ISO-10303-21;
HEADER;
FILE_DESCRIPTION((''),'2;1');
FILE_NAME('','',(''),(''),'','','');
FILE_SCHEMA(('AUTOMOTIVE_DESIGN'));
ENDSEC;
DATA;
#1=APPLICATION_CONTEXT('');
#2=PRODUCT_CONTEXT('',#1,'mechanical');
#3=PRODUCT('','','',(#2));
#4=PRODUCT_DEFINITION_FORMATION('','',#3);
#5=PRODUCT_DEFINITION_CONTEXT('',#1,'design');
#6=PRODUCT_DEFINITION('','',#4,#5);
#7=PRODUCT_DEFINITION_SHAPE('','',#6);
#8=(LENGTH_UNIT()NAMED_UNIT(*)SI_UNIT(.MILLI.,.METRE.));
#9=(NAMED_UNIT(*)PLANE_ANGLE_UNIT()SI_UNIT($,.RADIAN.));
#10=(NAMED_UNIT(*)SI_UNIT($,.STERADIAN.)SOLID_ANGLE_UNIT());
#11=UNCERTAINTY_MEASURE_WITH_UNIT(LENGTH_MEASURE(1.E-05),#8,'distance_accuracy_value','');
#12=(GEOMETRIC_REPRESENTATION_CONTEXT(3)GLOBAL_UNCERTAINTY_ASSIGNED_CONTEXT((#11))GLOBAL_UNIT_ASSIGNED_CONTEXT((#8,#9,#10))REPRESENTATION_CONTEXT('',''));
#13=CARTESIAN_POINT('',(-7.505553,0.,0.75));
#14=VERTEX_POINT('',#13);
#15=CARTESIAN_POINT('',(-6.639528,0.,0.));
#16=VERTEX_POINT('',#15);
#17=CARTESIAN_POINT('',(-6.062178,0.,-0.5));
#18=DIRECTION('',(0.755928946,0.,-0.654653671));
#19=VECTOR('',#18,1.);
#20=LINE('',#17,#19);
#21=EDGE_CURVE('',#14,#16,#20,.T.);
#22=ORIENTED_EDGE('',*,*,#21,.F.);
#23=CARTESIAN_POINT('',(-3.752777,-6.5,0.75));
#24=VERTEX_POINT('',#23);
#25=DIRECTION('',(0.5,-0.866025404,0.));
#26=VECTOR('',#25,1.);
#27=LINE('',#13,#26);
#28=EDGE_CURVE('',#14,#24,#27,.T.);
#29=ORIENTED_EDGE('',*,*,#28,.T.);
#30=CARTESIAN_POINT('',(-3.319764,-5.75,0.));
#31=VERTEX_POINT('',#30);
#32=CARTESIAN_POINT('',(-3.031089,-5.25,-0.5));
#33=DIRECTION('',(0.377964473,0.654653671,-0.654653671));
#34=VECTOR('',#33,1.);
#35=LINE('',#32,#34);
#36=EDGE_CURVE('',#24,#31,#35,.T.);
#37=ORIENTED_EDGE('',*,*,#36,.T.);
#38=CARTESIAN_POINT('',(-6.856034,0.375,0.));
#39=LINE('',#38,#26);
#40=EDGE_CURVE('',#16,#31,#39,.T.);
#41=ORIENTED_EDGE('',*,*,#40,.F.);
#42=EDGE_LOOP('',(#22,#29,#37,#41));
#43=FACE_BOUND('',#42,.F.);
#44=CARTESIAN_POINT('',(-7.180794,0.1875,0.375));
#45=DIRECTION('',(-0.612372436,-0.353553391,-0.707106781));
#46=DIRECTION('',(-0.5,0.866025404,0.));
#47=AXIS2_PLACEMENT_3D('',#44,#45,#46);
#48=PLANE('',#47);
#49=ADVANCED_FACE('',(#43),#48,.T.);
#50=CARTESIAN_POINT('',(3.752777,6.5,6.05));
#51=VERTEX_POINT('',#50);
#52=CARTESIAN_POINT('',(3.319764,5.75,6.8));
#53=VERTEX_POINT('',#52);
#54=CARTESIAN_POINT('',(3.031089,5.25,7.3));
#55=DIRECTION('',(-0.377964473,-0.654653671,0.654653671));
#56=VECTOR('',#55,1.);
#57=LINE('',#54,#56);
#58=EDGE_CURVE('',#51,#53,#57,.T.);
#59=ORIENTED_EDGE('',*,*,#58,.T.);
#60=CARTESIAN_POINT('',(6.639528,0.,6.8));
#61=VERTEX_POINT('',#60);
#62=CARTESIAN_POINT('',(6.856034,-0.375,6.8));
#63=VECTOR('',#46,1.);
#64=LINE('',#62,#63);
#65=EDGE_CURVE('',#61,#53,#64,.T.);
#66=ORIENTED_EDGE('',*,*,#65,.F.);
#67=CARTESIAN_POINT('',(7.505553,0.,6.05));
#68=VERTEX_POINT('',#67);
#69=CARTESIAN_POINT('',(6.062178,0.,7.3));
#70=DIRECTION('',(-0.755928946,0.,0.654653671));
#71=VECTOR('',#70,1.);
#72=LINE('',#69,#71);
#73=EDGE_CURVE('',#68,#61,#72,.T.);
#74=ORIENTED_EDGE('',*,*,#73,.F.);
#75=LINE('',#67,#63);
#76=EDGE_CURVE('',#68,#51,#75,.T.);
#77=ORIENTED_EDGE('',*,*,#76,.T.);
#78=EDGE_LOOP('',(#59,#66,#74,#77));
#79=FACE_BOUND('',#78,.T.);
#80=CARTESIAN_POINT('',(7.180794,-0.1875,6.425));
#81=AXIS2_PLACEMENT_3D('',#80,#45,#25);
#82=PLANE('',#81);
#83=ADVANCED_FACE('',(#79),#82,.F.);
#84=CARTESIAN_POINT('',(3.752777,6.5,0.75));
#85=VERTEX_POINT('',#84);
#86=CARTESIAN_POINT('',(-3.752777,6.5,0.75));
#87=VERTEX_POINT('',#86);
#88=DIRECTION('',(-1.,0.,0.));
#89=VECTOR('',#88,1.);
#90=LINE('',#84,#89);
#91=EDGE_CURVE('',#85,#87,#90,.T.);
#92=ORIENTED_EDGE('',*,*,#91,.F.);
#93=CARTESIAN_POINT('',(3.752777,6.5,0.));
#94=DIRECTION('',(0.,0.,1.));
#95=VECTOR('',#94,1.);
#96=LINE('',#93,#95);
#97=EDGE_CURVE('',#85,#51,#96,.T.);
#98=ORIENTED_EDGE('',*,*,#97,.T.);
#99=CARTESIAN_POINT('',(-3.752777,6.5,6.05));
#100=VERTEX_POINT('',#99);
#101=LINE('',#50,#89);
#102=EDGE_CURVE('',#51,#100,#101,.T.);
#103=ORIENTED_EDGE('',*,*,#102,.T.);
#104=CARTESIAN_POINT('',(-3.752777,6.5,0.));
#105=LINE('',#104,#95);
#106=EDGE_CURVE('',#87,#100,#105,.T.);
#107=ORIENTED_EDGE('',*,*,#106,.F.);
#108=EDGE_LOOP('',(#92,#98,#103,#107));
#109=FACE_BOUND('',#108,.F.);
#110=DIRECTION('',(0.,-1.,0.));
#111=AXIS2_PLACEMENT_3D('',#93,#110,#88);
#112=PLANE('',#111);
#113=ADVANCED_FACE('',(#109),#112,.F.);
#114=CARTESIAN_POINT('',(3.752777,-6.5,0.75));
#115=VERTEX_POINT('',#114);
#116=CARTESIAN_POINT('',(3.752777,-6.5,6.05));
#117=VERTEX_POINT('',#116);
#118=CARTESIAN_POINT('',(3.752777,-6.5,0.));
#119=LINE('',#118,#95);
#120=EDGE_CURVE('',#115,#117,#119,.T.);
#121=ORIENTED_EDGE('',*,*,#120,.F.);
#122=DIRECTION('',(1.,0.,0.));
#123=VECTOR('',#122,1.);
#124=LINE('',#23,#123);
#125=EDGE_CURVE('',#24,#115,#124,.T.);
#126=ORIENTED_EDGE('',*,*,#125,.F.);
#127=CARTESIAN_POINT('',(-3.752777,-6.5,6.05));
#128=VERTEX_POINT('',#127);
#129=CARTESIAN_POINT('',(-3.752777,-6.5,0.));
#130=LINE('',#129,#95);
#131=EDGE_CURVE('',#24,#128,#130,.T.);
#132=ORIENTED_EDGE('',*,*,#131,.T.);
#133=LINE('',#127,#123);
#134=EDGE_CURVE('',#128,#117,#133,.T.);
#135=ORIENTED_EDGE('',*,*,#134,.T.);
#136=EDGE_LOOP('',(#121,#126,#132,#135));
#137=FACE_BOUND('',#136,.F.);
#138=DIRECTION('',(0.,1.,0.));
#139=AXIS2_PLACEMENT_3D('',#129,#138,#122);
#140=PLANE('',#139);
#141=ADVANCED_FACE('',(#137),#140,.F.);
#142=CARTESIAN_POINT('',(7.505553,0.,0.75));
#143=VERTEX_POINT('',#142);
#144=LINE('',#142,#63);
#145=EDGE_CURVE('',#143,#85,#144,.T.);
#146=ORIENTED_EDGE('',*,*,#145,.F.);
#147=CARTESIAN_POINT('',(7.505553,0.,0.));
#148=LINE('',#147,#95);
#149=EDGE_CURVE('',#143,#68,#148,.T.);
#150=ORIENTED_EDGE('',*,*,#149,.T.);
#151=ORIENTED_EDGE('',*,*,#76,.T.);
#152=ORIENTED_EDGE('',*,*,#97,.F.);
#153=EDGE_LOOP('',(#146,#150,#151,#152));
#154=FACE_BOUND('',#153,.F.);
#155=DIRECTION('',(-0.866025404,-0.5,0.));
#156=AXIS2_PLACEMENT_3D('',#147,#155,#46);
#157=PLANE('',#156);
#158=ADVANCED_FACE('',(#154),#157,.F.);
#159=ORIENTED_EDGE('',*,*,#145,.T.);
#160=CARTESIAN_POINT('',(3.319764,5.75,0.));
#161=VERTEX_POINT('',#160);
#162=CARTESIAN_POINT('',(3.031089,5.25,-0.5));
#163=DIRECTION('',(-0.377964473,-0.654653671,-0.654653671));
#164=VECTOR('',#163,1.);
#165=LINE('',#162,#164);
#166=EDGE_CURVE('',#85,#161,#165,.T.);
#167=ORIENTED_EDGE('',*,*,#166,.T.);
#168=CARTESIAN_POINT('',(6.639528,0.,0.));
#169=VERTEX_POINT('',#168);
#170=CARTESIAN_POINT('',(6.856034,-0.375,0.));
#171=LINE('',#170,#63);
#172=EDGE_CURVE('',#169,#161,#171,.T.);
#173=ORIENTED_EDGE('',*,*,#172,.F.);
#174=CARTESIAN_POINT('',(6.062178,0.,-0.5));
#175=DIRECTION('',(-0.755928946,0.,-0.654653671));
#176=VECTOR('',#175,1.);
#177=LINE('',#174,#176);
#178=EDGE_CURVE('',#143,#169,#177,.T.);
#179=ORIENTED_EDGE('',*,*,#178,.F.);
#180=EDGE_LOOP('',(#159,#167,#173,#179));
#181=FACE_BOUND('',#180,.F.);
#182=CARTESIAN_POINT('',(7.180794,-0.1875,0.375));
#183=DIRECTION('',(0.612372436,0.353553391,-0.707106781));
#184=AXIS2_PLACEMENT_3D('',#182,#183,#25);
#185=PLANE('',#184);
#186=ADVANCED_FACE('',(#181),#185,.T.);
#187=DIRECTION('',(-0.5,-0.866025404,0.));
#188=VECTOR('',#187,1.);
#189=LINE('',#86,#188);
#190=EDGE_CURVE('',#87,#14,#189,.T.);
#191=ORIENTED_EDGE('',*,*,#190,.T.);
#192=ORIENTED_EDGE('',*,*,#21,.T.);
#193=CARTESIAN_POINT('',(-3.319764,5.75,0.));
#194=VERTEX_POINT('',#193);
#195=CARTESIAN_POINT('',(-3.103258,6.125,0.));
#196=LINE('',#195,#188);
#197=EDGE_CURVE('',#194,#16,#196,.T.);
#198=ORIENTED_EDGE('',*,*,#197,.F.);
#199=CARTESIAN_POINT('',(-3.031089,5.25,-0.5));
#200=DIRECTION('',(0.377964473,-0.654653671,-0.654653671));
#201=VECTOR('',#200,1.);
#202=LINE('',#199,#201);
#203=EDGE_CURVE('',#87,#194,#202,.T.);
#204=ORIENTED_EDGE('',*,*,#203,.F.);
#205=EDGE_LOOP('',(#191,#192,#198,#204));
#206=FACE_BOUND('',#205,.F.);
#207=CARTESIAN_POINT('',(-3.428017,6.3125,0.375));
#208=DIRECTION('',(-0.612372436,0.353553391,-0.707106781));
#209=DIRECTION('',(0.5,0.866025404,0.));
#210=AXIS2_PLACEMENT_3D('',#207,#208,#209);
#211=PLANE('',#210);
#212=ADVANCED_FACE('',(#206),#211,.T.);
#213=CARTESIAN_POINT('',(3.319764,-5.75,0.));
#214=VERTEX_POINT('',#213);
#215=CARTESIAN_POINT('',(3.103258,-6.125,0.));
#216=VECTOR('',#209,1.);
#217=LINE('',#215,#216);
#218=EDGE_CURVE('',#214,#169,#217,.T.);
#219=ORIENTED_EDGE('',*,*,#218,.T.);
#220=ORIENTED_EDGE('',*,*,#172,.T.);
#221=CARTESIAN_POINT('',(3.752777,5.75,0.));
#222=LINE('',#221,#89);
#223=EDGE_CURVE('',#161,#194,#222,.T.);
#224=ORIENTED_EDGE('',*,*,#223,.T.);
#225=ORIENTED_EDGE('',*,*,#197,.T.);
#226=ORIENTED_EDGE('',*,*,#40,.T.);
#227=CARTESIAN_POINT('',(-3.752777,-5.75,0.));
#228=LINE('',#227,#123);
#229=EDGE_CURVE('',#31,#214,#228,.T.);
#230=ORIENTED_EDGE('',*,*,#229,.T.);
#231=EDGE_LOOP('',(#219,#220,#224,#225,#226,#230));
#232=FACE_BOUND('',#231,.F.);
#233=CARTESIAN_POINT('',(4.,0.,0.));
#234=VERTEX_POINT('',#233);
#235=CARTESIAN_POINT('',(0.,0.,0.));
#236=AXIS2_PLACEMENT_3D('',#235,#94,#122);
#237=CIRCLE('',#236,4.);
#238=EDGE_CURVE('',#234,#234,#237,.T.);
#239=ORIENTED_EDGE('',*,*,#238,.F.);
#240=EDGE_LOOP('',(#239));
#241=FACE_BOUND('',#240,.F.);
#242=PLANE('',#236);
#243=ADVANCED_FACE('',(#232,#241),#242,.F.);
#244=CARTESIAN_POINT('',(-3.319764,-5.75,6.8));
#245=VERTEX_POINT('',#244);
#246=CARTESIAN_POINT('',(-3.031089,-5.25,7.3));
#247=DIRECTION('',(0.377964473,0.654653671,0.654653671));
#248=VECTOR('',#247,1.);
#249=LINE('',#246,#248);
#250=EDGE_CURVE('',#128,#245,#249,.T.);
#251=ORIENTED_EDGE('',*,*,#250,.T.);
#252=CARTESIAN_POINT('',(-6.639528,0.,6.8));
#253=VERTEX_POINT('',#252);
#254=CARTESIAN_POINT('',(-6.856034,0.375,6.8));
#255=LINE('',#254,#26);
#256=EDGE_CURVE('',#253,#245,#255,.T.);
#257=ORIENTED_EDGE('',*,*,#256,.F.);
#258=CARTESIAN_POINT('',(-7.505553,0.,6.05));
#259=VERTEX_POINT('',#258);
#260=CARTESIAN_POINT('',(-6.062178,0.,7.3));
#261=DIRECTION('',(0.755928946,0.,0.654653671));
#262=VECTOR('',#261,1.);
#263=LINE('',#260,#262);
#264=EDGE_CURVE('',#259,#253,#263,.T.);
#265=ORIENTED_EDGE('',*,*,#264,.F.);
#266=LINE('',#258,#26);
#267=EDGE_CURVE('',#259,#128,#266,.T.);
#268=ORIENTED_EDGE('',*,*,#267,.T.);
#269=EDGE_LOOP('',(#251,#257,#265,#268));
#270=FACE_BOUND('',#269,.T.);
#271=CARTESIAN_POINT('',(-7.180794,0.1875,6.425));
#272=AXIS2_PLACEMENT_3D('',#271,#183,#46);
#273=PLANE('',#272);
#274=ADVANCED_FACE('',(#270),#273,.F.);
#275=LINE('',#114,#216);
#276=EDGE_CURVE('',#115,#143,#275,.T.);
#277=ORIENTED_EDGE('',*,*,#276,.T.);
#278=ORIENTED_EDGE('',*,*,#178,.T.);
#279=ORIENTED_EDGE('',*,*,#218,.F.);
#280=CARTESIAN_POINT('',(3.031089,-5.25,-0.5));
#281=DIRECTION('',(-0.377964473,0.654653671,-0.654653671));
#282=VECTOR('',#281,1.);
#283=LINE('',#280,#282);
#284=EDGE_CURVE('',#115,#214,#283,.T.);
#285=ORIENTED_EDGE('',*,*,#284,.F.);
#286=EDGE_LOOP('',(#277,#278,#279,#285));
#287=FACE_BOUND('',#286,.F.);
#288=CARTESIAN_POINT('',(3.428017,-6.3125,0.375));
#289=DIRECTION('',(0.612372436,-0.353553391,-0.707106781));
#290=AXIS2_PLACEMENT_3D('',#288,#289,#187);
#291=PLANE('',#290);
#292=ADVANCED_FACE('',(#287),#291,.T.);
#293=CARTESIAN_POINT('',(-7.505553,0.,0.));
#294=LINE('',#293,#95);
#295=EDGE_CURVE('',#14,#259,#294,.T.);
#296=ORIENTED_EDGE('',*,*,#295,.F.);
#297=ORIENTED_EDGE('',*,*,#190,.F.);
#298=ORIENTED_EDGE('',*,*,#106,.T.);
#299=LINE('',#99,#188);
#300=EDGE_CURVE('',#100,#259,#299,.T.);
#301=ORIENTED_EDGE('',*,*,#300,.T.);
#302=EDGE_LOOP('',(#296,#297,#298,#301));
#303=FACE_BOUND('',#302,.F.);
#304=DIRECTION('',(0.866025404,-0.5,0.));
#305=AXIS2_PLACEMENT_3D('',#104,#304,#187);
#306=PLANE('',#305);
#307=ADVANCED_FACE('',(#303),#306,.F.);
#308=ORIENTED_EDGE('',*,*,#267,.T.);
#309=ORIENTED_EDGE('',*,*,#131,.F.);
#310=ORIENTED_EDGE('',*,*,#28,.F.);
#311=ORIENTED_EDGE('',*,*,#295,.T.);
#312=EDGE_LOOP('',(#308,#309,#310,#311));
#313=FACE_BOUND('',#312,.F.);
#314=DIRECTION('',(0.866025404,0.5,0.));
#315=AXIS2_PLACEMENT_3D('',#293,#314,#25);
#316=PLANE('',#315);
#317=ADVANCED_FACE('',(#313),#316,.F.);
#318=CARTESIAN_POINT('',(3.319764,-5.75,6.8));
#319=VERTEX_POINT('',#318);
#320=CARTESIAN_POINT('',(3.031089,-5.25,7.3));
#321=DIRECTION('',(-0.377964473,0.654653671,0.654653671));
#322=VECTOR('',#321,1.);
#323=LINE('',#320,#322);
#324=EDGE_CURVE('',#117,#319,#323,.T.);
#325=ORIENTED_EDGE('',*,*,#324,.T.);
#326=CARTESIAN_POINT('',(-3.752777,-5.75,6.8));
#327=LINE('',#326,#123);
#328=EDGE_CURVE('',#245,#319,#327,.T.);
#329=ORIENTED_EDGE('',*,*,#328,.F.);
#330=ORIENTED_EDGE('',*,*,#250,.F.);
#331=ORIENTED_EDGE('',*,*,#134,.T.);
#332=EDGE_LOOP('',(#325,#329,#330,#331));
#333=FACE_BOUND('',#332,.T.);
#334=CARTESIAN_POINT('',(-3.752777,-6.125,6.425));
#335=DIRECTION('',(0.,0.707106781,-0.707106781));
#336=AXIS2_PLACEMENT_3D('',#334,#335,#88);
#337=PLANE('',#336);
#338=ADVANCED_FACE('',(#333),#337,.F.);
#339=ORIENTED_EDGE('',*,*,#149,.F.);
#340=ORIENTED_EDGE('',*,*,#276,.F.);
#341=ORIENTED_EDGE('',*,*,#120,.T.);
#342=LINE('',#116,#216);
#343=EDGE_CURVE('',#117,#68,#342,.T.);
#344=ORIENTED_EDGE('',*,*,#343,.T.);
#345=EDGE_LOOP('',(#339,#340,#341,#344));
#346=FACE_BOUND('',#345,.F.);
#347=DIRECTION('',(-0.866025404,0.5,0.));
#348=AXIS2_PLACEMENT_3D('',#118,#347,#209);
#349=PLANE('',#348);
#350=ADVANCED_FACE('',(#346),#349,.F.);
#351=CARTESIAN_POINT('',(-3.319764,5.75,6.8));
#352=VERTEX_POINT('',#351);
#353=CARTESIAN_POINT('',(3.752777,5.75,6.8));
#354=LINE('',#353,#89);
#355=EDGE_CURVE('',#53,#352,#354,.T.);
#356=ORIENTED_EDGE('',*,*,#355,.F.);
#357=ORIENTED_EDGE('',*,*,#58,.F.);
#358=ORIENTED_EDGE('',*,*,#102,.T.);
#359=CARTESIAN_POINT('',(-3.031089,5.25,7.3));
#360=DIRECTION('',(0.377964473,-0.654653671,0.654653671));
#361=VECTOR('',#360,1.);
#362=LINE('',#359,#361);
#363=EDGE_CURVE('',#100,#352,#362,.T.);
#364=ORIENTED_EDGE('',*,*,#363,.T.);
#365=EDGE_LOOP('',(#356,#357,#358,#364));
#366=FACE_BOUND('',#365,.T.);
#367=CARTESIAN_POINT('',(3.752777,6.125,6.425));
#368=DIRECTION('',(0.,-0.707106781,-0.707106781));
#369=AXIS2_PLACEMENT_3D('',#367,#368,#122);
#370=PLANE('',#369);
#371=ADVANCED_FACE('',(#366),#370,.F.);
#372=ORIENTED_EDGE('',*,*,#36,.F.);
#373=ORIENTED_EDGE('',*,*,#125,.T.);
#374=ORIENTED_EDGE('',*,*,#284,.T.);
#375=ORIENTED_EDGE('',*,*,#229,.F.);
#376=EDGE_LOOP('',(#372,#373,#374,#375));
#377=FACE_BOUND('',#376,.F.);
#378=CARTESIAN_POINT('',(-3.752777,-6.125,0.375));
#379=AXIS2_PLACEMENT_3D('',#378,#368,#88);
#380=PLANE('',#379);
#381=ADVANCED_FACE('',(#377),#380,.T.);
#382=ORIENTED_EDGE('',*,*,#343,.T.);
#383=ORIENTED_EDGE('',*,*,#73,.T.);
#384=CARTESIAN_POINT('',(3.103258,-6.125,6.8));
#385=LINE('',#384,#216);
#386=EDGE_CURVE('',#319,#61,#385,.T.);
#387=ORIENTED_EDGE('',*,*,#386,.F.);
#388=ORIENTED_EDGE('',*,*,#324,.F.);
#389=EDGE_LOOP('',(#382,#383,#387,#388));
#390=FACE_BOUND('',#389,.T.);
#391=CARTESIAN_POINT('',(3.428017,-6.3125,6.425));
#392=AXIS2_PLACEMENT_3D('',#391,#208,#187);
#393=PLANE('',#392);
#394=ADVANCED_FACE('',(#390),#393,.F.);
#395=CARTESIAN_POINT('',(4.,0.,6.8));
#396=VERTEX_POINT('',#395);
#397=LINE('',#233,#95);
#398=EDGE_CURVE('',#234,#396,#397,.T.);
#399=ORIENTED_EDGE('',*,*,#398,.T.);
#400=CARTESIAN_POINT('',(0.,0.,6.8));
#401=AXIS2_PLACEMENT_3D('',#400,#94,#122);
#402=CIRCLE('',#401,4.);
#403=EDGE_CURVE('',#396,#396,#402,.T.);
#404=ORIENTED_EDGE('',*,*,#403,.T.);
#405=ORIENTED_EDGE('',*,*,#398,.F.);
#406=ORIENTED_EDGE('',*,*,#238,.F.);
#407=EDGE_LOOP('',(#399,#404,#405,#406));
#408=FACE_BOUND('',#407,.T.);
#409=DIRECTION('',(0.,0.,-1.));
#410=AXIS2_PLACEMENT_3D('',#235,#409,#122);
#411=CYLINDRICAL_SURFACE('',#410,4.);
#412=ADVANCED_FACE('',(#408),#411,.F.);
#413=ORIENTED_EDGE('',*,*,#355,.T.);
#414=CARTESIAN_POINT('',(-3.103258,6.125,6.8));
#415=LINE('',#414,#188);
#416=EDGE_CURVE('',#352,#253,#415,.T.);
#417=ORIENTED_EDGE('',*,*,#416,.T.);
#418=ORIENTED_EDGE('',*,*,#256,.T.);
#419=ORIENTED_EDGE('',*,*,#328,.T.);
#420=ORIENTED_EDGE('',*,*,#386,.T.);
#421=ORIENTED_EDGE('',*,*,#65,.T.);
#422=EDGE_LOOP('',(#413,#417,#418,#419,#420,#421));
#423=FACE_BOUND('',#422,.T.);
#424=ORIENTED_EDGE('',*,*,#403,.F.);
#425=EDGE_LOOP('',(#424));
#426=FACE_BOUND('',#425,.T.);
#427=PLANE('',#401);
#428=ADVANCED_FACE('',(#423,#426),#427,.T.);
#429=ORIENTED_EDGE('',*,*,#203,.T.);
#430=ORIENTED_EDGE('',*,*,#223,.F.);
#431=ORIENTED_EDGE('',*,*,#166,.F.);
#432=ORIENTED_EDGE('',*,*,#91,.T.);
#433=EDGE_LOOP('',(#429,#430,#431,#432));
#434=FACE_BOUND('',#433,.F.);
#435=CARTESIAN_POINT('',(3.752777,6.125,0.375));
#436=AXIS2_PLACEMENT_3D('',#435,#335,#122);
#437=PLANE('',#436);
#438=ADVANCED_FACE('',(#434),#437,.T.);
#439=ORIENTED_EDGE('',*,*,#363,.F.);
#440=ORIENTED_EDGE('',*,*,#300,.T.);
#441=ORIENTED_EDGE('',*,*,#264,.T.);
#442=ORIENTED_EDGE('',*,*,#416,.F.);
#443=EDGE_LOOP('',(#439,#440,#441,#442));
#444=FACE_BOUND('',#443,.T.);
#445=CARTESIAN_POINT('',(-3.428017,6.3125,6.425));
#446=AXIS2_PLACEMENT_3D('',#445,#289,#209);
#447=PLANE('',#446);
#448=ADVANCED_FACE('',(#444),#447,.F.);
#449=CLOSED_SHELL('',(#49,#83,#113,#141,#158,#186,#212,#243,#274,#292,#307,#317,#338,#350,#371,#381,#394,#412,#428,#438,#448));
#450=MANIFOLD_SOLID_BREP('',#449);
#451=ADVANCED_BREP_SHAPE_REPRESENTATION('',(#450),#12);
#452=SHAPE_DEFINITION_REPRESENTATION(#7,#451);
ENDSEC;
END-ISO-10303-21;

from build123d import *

# Parameters (mm, degrees)
SKETCH_1_R      = 4
EXTRUDE_1_DEPTH = 6.8
CHAMFER_1_SIZE  = 0.75


with BuildPart() as part:
    # Эскиз1 → Бобышка-Вытянуть1 (new body)
    with BuildSketch(Plane.XY):
        Polygon((3.75277675, -6.5), (7.505553499, 0), (3.75277675, 6.5), (-3.75277675, 6.5), (-7.505553499, 0), (-3.75277675, -6.5), align=None)
        Circle(SKETCH_1_R, mode=Mode.SUBTRACT)
    extrude(amount=EXTRUDE_1_DEPTH)

    # Фаска1
    chamfer_1_edges = [part.edges().sort_by_distance(p)[0] for p in [
        (5.629165125, 3.25, 6.8),
        (0, 6.5, 6.8),
        (-5.629165125, 3.25, 6.8),
        (-5.629165125, -3.25, 6.8),
        (0, -6.5, 6.8),
        (-5.629165125, -3.25, 0),
        (-5.629165125, 3.25, 0),
        (0, 6.5, 0),
        (5.629165125, 3.25, 0),
        (5.629165125, -3.25, 0),
        (0, -6.5, 0),
        (5.629165125, -3.25, 6.8),
    ]]
    chamfer(chamfer_1_edges, length=CHAMFER_1_SIZE)


solid = part.part
